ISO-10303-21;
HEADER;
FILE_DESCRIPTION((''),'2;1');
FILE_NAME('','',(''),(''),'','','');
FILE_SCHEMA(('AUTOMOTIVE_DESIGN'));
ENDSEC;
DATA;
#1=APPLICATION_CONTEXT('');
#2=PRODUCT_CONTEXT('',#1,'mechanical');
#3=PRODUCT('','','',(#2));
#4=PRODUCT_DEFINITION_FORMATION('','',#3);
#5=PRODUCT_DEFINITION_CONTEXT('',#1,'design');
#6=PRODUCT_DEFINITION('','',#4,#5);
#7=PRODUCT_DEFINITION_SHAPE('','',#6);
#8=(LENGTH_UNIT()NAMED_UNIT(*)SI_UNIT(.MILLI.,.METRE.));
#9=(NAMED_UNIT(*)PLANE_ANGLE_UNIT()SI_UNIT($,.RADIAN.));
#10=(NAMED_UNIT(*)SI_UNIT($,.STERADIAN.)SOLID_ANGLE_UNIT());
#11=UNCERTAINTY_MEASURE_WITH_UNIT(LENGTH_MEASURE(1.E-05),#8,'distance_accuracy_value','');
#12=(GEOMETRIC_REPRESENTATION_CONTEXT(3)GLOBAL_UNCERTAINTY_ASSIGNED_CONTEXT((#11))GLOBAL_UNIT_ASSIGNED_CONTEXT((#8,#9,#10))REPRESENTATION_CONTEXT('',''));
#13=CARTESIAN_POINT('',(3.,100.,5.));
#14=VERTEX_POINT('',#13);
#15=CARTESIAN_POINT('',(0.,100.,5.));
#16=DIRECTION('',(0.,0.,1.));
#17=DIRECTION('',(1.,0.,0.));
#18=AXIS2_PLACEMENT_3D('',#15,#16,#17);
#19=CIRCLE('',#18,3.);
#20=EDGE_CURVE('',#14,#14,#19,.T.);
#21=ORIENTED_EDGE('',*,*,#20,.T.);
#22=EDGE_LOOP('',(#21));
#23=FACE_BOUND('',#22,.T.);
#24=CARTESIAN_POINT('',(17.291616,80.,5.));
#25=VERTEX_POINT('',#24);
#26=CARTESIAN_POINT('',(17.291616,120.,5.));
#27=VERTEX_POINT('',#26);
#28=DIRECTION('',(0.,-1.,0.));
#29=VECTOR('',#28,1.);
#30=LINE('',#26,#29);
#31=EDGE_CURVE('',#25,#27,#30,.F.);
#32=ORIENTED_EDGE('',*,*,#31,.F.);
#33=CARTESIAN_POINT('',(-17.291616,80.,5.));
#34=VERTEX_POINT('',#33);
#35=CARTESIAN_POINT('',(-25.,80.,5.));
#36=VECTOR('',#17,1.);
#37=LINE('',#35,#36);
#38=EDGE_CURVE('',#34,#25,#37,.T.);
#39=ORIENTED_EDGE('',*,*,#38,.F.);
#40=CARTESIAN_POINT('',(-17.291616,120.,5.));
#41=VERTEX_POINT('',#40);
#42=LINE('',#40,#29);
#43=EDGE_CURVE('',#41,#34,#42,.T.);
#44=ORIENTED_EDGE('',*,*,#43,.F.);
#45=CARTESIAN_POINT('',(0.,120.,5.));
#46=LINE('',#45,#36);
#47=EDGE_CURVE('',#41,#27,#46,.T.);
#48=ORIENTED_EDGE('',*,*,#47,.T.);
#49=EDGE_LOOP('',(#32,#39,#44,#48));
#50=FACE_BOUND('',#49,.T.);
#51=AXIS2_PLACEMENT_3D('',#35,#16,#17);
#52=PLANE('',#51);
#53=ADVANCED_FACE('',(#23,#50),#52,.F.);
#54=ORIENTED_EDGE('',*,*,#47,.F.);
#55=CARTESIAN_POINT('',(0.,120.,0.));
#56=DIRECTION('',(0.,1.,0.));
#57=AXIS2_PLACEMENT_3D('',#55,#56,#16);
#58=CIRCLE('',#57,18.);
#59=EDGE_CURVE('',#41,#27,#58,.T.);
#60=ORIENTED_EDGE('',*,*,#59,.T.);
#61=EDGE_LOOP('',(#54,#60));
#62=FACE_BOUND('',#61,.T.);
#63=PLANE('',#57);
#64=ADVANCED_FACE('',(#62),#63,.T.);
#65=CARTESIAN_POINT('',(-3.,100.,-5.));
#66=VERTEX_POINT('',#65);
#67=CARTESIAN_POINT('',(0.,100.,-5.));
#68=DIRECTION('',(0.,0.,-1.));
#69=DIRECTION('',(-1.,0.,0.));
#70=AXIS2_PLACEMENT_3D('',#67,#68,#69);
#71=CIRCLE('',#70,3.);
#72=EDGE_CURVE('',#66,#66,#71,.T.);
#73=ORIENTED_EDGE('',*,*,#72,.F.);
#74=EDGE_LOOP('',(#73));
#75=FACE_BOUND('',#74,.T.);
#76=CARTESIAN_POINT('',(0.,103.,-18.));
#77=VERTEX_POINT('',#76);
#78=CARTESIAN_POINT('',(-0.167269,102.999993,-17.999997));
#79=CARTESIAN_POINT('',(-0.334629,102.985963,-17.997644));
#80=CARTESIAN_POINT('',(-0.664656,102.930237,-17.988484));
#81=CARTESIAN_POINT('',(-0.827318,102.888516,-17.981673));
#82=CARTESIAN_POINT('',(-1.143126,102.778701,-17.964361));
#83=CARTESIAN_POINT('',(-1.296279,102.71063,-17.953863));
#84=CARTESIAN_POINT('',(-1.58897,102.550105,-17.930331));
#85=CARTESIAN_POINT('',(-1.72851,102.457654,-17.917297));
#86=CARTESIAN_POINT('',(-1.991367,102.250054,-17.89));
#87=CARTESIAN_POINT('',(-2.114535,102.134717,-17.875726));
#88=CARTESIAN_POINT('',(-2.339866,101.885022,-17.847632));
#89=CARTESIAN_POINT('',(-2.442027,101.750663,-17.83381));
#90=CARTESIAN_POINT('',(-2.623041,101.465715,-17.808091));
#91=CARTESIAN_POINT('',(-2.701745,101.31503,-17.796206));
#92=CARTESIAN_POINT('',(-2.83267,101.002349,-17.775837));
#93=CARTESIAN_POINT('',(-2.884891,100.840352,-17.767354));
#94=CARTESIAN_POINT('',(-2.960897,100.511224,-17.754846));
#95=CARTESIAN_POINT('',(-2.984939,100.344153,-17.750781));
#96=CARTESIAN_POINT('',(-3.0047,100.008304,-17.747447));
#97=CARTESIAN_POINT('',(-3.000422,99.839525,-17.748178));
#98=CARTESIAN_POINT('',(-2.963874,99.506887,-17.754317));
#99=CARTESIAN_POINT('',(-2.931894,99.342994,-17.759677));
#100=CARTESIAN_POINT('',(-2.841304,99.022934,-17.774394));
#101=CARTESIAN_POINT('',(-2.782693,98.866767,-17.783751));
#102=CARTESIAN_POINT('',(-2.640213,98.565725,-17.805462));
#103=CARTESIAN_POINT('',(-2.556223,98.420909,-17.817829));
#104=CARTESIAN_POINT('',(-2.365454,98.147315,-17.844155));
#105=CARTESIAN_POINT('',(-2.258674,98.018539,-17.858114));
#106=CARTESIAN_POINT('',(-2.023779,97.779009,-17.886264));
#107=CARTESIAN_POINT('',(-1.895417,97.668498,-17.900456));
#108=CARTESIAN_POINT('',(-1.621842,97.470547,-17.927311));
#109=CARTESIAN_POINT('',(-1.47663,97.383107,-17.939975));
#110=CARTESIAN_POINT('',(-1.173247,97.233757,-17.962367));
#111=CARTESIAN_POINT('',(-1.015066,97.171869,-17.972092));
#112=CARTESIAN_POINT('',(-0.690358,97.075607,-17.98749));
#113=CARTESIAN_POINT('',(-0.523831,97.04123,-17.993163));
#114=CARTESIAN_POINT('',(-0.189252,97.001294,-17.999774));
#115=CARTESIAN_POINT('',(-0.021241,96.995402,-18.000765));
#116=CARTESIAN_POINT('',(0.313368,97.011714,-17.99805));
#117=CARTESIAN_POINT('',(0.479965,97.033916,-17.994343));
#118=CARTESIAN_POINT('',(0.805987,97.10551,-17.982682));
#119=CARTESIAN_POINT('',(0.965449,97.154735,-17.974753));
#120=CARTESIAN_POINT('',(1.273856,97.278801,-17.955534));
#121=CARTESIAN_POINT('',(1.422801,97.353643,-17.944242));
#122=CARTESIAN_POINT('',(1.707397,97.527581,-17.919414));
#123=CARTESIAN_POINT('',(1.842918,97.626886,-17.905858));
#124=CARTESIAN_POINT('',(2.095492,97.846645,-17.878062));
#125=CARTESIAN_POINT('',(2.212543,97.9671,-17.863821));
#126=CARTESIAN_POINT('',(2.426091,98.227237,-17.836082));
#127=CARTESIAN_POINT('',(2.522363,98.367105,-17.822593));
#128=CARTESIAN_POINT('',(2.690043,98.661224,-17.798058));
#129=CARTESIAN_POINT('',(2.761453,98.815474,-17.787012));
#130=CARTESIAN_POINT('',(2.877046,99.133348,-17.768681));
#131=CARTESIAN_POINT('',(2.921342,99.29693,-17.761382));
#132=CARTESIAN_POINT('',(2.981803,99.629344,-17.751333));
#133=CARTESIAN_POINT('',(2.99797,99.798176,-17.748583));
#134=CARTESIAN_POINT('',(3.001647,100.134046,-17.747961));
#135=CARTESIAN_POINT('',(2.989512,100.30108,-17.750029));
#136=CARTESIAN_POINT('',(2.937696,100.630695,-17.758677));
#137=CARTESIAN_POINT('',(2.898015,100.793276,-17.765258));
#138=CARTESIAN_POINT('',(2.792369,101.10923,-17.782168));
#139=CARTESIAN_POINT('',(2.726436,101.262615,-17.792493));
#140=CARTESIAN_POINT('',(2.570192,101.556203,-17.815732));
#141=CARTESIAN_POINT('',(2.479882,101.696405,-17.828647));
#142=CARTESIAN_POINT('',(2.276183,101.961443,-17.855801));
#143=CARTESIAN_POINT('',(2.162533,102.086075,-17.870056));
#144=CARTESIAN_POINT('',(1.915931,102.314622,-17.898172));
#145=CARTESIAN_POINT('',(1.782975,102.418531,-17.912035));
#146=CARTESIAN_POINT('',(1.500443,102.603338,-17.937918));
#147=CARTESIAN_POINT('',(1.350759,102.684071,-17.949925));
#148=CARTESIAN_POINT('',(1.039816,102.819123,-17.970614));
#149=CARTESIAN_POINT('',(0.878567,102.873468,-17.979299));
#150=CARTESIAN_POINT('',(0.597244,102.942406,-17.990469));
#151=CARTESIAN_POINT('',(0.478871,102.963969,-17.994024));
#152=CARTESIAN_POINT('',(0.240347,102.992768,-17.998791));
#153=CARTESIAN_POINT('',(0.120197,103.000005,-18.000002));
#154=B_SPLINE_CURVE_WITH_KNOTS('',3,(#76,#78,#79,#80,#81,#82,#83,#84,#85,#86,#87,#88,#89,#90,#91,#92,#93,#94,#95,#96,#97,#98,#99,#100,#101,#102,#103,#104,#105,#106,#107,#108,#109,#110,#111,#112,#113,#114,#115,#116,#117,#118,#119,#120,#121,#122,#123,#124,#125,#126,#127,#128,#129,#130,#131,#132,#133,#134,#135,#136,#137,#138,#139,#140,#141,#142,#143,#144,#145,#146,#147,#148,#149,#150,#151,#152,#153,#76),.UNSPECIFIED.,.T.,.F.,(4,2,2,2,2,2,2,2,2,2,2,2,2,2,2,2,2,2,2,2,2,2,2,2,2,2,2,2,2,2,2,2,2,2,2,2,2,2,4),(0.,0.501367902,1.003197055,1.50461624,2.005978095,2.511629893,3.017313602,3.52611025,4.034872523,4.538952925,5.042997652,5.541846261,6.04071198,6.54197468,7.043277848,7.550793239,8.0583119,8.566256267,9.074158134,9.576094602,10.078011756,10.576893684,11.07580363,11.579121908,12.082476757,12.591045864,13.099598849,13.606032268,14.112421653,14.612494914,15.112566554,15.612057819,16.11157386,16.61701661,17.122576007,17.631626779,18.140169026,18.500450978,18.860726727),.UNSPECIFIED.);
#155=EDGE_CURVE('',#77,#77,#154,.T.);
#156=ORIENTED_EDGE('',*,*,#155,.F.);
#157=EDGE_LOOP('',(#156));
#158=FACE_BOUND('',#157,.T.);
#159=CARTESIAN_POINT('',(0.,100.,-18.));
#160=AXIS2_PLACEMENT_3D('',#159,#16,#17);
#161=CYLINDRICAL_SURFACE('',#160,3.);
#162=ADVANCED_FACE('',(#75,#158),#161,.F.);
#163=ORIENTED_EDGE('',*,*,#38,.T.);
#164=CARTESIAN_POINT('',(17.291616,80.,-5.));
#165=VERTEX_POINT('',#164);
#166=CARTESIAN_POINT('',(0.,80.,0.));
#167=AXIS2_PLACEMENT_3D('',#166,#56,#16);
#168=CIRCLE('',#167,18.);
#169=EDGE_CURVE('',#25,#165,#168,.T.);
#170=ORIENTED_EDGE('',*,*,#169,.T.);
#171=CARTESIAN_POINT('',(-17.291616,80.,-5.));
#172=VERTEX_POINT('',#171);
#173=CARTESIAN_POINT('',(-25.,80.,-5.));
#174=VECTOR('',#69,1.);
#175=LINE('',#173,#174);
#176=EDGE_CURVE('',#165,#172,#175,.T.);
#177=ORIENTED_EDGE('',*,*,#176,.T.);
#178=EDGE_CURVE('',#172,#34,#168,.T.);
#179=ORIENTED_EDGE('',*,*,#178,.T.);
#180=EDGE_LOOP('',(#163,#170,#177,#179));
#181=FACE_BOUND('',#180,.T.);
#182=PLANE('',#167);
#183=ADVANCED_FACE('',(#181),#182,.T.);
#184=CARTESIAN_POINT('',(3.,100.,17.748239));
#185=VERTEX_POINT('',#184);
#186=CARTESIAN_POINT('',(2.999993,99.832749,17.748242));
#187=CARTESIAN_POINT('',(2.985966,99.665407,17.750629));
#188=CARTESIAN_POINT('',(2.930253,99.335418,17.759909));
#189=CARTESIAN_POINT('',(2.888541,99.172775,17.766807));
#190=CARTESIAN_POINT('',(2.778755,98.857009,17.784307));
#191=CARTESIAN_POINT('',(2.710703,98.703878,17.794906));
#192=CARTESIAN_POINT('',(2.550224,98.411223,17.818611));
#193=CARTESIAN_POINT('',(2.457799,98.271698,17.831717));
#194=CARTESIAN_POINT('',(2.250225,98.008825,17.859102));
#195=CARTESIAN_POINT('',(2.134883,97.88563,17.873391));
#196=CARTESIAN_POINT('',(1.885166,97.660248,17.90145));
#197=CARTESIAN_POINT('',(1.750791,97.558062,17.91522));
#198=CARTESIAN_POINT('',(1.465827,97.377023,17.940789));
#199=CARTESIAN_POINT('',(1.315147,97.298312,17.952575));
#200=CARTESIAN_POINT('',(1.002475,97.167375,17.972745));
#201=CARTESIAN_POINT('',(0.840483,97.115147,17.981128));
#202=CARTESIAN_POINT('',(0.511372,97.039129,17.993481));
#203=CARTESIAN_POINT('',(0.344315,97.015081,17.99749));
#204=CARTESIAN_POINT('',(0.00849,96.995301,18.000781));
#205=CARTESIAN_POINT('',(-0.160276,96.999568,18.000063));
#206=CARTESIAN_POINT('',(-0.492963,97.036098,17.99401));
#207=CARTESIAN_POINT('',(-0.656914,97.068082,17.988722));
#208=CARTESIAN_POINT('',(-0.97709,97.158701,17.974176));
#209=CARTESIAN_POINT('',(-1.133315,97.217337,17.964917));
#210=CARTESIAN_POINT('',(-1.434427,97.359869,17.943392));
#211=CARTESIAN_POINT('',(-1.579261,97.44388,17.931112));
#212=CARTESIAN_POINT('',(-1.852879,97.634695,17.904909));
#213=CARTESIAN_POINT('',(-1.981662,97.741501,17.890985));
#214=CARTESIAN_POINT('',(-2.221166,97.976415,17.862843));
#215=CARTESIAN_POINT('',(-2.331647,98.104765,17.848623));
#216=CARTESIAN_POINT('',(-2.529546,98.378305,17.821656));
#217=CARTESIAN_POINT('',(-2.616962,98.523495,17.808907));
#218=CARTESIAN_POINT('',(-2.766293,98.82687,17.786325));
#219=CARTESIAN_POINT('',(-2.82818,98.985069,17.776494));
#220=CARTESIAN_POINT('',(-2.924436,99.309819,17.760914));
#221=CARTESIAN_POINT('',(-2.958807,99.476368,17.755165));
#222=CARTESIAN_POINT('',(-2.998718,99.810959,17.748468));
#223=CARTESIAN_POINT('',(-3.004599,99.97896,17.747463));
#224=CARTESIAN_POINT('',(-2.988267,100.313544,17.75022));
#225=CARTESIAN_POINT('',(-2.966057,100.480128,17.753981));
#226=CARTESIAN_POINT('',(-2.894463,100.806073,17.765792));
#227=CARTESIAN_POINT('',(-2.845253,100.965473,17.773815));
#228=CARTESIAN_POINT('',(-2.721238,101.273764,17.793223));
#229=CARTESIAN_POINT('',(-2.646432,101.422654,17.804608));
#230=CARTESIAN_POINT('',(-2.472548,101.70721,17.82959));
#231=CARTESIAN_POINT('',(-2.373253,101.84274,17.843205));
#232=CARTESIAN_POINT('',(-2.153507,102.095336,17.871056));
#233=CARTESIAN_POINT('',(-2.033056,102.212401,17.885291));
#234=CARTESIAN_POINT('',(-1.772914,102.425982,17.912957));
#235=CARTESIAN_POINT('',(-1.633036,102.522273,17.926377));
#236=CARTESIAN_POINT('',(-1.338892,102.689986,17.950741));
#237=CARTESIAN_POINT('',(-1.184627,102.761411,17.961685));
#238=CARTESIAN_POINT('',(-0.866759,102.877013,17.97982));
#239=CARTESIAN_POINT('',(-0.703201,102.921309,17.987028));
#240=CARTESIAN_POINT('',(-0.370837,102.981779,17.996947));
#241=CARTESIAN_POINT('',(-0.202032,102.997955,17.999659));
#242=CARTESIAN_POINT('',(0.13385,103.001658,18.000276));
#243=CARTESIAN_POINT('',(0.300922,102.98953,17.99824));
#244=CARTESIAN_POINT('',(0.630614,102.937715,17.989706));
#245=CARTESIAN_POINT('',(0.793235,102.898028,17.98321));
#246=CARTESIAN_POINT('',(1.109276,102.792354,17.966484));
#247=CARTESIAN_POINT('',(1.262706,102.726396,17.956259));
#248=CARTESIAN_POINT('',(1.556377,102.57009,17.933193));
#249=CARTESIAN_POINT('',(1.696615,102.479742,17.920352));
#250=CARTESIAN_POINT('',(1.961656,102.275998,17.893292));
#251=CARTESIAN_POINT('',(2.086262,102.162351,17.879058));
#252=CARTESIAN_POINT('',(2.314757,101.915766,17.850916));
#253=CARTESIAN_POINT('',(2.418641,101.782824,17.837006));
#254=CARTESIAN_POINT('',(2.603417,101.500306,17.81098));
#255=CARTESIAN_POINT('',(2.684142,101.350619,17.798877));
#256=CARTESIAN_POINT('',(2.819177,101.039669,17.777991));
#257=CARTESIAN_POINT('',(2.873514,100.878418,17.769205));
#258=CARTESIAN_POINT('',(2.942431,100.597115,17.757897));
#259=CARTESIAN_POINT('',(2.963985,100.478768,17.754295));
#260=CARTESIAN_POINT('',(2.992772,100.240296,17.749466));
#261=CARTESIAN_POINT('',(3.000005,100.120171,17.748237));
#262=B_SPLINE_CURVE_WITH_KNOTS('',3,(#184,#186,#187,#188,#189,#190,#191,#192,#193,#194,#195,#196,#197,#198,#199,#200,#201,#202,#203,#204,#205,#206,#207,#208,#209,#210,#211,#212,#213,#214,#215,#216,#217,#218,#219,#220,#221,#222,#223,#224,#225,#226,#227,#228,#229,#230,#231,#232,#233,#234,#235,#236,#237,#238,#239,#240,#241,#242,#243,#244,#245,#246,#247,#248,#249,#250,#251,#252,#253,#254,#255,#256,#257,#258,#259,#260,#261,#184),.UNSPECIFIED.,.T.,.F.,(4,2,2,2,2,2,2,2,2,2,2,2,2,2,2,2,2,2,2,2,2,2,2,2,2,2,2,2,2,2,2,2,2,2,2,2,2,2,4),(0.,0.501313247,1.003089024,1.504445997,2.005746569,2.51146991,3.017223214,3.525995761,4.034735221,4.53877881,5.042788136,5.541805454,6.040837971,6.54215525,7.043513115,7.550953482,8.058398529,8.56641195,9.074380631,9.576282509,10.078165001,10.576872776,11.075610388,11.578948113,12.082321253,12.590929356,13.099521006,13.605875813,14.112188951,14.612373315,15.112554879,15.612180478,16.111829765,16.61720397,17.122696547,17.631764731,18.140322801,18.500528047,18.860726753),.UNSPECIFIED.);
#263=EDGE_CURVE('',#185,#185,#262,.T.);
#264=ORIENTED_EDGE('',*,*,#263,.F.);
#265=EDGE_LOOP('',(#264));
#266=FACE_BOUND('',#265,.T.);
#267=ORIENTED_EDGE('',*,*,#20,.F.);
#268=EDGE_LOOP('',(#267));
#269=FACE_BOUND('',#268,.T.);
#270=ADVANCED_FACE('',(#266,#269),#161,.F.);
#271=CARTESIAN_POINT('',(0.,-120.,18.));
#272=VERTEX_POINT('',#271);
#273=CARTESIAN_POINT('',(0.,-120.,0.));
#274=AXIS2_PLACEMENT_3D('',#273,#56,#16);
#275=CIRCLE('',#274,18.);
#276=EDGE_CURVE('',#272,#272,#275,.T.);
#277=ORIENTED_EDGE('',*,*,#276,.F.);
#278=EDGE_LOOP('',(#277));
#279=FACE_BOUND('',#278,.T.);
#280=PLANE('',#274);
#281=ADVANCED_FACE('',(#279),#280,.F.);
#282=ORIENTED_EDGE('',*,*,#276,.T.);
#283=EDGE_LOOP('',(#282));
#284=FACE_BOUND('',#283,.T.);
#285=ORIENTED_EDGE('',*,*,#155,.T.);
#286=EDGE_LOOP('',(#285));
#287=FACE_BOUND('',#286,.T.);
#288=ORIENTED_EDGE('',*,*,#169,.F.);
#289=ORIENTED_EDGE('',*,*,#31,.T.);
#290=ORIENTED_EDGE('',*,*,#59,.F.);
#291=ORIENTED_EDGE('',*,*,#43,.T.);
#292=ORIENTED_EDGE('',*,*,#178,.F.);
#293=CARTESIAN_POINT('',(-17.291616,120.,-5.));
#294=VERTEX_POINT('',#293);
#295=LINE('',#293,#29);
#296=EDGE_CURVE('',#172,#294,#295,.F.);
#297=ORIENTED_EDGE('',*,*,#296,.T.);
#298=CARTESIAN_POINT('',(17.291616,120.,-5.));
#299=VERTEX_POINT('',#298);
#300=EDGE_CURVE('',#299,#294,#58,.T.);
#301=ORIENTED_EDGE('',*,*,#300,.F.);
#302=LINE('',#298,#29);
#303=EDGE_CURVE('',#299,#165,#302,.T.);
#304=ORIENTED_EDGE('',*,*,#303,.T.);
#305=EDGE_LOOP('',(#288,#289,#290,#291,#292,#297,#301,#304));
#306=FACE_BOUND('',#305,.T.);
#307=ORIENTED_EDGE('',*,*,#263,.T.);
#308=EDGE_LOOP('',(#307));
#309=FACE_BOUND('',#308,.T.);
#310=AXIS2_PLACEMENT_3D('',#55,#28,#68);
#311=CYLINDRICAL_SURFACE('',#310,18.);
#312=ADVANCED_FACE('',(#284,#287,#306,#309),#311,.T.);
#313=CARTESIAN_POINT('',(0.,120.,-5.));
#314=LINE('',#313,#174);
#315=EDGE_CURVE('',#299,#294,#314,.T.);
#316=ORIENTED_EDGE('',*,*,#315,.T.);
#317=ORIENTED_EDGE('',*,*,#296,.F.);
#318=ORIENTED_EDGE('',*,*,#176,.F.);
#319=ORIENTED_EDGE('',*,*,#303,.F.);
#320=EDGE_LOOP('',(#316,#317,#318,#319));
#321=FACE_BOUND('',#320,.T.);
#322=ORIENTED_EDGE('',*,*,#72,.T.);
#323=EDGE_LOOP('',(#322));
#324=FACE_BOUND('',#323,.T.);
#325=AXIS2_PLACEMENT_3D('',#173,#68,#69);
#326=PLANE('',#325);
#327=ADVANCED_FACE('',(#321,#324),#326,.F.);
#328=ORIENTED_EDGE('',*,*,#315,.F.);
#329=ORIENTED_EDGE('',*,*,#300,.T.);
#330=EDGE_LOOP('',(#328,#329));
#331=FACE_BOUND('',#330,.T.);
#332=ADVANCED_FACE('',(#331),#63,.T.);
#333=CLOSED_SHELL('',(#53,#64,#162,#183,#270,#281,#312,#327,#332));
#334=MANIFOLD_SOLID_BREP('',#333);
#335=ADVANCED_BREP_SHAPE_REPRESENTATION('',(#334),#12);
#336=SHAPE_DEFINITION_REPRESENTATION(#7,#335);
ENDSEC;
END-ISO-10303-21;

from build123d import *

# Parameters (mm, degrees)
SKETCH1_R               = 18
BOSS_EXTRUDE1_DEPTH     = 120
SKETCH2_W               = 50
SKETCH2_H               = 10
CUT_EXTRUDE1_DEPTH      = 40
CUT_EXTRUDE2_DEPTH      = 123.670289802
CUT_EXTRUDE2_DEPTH_BACK = 123.670289802
SKETCH3_R               = 3


with BuildPart() as part:
    # Sketch1 → Boss-Extrude1 (new, symmetric)
    with BuildSketch(Plane(origin=(0, 0, 0), x_dir=(1, 0, 0), z_dir=(0, 1, 0))):
        with Locations(Location((0, 0, 0), (0, 0, 270))):
            Circle(SKETCH1_R)
    extrude(amount=BOSS_EXTRUDE1_DEPTH, both=True)

    # Sketch2 → Cut-Extrude1 (cut)
    with BuildSketch(Plane(origin=(0, 120, 0), x_dir=(1, 0, 0), z_dir=(0, 1, 0))):
        Rectangle(SKETCH2_W, SKETCH2_H)
    extrude(amount=-CUT_EXTRUDE1_DEPTH, mode=Mode.SUBTRACT)

    # Sketch3 → Cut-Extrude2 (cut, two sides: drawn at the far end of the back side and taken through both)
    with BuildSketch(Plane.XY.offset(-CUT_EXTRUDE2_DEPTH_BACK)):
        with Locations(Location((0, 100, 0), (0, 0, 90))):
            Circle(SKETCH3_R)
    extrude(amount=CUT_EXTRUDE2_DEPTH + CUT_EXTRUDE2_DEPTH_BACK, mode=Mode.SUBTRACT)


solid = part.part
